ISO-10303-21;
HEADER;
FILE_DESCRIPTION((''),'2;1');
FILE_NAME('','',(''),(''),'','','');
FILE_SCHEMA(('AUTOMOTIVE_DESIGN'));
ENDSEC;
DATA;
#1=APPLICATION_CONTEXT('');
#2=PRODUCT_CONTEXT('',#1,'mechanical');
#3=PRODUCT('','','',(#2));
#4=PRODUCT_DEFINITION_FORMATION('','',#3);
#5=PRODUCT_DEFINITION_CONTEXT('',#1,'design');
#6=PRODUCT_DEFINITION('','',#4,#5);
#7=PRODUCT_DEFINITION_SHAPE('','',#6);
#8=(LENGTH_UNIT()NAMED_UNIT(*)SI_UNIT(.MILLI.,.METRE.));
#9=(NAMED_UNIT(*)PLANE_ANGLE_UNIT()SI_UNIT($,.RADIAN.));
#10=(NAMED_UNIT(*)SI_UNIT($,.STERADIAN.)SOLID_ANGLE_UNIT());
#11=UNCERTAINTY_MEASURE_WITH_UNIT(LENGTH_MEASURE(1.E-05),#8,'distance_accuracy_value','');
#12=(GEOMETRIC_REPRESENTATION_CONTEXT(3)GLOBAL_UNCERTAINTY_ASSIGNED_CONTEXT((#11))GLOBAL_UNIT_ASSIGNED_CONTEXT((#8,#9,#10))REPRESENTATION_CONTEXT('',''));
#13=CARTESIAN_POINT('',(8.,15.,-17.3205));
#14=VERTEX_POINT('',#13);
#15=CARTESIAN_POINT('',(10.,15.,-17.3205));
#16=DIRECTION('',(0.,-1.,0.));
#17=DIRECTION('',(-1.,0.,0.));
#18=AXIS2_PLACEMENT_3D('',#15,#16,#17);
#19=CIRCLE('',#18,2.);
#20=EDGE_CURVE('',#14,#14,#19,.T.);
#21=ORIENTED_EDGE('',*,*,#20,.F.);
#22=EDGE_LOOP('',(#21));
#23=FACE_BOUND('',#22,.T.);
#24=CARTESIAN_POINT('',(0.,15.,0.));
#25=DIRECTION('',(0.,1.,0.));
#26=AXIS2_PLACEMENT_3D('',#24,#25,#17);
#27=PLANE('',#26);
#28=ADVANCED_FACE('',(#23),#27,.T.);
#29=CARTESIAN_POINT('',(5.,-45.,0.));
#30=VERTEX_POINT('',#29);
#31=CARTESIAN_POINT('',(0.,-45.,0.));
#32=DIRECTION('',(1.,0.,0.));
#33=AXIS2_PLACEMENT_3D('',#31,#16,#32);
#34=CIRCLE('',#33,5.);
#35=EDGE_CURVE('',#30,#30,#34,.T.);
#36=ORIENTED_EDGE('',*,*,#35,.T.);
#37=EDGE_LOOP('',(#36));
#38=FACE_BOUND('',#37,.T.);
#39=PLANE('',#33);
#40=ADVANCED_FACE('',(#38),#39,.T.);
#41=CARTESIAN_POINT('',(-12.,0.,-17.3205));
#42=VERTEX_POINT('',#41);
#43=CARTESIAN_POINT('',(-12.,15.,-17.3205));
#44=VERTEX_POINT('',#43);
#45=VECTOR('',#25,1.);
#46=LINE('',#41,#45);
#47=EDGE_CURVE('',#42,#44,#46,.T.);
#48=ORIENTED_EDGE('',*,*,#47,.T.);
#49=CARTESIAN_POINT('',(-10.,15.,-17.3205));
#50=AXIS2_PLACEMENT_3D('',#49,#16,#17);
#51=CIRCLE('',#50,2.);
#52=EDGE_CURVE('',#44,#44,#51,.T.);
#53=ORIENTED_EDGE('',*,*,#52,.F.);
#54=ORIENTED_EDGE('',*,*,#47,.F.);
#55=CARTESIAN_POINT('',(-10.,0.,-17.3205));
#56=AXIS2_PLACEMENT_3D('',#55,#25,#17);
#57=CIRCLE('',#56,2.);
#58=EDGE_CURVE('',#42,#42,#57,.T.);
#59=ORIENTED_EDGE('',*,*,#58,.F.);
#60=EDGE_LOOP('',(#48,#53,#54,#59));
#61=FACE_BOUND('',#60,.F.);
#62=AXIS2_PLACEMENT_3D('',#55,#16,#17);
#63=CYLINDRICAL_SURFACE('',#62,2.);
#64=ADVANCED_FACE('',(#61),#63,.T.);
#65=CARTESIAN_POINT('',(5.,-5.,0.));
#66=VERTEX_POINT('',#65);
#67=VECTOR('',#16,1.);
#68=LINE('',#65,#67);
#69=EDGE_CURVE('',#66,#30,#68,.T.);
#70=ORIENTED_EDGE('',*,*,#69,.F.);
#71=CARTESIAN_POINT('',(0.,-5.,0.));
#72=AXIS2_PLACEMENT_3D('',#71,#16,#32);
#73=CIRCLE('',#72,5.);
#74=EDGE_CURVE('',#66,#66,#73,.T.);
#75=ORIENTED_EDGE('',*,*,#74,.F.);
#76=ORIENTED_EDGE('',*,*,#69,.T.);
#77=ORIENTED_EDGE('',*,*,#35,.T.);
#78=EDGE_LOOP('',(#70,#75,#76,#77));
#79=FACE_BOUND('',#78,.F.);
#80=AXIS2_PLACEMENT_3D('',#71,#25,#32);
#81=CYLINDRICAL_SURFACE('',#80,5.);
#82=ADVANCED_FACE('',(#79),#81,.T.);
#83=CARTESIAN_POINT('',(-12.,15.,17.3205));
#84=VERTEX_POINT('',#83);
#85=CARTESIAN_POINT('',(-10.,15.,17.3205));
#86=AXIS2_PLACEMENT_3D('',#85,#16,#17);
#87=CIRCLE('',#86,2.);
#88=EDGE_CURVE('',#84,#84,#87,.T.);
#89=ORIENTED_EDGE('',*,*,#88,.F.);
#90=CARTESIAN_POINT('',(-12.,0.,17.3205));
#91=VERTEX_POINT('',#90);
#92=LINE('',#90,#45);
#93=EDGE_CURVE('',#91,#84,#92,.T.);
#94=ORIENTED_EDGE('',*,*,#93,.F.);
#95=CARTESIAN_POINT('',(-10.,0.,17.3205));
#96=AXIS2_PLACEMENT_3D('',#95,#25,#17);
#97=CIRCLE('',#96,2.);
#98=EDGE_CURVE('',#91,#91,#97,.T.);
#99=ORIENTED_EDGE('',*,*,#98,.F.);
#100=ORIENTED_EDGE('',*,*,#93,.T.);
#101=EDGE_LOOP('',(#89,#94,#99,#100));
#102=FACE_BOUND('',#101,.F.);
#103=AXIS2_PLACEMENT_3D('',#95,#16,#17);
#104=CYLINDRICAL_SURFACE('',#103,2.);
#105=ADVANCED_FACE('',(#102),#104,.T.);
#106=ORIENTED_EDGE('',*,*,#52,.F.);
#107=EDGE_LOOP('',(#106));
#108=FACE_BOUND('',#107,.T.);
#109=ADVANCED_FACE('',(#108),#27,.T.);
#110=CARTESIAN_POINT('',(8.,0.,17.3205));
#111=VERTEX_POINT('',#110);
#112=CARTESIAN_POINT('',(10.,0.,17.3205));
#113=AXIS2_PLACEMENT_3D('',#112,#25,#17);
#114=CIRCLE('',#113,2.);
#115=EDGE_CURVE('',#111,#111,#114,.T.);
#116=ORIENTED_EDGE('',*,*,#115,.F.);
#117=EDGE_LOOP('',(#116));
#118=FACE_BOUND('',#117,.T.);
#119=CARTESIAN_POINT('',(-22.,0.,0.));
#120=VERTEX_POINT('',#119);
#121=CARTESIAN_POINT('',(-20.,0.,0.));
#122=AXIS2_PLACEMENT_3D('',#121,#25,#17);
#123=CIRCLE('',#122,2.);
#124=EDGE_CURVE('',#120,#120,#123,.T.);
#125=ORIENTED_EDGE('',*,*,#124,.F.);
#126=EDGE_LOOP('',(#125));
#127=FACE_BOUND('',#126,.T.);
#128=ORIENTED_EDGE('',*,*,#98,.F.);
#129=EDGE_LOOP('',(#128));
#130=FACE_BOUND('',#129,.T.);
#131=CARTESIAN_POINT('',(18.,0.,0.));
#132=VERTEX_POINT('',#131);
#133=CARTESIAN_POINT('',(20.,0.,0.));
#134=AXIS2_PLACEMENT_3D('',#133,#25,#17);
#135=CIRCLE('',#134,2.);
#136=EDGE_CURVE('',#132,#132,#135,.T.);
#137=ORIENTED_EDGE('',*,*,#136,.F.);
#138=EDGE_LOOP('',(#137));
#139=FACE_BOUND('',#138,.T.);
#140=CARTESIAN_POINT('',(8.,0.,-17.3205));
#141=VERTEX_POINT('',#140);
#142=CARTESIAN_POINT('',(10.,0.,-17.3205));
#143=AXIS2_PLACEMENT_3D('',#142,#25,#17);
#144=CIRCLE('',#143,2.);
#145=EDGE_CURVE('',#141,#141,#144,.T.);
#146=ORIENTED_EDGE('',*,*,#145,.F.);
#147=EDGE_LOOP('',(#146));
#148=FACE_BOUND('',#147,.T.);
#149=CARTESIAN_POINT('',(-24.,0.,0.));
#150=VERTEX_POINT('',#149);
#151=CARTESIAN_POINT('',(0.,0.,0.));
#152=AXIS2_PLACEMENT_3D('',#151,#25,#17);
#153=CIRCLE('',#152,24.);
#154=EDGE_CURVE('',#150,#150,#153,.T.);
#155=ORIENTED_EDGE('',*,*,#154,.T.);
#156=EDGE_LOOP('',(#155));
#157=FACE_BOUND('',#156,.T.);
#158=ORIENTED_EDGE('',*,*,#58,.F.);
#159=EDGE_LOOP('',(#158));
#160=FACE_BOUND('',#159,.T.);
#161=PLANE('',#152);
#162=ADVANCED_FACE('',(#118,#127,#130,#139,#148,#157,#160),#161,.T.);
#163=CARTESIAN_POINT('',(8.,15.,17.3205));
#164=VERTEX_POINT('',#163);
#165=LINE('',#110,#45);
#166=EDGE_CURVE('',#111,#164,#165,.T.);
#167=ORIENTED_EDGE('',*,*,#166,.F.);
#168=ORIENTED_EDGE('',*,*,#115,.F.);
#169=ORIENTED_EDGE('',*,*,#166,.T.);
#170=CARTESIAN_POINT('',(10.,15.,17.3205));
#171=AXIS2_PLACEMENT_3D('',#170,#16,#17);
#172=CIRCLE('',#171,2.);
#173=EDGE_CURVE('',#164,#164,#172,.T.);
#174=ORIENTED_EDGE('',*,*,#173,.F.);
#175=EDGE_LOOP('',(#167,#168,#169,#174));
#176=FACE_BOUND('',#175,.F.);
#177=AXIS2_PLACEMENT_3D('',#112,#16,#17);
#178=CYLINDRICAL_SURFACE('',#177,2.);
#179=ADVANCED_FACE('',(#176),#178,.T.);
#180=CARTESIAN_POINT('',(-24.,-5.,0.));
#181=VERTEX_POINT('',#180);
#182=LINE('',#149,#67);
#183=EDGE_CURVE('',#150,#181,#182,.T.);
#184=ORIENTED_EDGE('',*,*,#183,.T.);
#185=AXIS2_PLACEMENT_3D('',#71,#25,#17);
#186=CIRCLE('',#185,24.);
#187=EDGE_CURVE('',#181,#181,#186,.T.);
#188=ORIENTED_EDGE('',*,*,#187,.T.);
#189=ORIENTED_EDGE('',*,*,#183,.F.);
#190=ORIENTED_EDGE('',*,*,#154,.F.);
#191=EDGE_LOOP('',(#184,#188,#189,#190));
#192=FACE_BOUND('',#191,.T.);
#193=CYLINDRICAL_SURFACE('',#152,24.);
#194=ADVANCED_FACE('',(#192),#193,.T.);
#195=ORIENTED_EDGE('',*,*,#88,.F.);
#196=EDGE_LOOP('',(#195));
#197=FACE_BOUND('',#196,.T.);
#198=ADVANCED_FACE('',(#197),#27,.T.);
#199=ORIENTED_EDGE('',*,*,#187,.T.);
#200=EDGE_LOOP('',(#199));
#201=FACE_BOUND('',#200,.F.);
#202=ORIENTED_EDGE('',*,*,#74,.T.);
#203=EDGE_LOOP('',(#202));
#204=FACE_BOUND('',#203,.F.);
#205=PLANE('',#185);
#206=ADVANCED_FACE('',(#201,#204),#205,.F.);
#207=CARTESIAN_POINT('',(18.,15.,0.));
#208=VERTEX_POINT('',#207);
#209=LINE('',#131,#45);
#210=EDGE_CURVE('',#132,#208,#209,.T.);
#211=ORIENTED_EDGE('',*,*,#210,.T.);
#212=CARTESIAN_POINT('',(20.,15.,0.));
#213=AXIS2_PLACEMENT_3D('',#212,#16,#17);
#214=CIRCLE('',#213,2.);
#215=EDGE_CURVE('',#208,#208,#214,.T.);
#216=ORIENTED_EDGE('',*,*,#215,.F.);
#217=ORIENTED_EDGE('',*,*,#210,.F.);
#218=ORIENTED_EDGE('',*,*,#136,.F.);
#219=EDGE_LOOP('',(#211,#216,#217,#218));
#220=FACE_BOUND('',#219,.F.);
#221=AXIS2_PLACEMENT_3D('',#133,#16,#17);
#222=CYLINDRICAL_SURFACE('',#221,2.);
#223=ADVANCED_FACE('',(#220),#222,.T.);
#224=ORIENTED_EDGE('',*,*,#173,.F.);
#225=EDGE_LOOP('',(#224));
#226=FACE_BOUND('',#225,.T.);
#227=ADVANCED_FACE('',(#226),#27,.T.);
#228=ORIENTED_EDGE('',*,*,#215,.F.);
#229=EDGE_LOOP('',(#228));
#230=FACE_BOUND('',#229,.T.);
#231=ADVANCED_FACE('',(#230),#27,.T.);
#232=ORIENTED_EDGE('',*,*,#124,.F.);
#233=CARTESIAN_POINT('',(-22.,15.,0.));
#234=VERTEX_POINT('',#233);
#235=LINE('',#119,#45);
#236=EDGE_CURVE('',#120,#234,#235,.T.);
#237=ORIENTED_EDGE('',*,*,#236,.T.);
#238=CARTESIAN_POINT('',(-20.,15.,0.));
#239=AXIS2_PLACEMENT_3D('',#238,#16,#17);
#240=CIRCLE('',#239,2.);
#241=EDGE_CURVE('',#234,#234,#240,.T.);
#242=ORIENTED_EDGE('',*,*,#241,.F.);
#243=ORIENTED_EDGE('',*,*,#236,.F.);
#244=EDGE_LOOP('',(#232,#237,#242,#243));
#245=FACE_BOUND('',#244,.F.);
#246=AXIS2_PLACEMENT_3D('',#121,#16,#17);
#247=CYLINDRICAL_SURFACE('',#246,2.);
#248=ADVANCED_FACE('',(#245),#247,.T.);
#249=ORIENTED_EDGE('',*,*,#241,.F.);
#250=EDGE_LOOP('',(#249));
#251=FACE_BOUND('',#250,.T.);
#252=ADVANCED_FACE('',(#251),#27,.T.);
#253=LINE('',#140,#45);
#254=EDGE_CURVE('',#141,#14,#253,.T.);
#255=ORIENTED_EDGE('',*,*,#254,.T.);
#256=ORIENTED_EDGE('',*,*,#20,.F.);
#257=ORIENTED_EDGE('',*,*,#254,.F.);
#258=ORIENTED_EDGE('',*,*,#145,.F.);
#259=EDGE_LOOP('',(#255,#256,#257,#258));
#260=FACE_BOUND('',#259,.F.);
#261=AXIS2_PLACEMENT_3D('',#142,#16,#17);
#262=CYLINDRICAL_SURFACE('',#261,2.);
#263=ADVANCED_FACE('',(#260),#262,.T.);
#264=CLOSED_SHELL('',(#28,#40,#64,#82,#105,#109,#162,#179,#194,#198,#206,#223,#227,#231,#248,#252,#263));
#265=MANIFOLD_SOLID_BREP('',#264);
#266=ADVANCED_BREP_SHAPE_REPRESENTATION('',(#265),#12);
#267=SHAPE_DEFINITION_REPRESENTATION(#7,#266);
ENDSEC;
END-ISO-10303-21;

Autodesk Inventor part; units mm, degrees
ref_plane "YZ Plane" through (0, 0, 0) normal (1, 0, 0) x (0, 1, 0)
ref_plane "XZ Plane" through (0, 0, 0) normal (0, 1, 0) x (-1, 0, 0)
ref_plane "XY Plane" through (0, 0, 0) normal (0, 0, 1) x (1, 0, 0)
sketch "Sketch1" plane through (0, 0, 0) normal (0, 1, 0) x (-1, 0, 0)
  circle A0 centre (0, 0) radius 20
  circle A1 centre (20, 0) radius 2
  circle A2 centre (10, 17.3205) radius 2
  circle A3 centre (-10, 17.3205) radius 2
  circle A4 centre (-20, 0) radius 2
  circle A5 centre (-10, -17.3205) radius 2
  circle A6 centre (10, -17.3205) radius 2
  circle A7 centre (0, 0) radius 24
  dimension "d16" = 40
  dimension "d17" = 4
  dimension "d20" = 360
  dimension "d22" = 48
extrude "Extrusion1" add sketch "Sketch1" against normal blind 5 contours A0 A1 | A0 A1 | A1 A0 A6 A5 A4 A3 A2 | A2 A0 | A0 A2 | A6 A0 | A0 A6 | A3 A0 | A0 A3 | A5 A0 | A0 A5 | A4 A0 | A0 A4 | A7
sketch "Sketch2" plane through (0, -5, 0) normal (0, -1, 0) x (1, 0, 0)
  circle A0 centre (0, 0) radius 5
  dimension "d13" = 10
extrude "Extrusion3" add sketch "Sketch2" along normal blind 40
extrude "Extrusion4" add sketch "Sketch1" along normal blind 15 contours A0 A1 | A0 A1 | A2 A0 | A0 A2 | A6 A0 | A0 A6 | A3 A0 | A0 A3 | A5 A0 | A0 A5 | A4 A0 | A0 A4
properties part number "Output_shaft"
